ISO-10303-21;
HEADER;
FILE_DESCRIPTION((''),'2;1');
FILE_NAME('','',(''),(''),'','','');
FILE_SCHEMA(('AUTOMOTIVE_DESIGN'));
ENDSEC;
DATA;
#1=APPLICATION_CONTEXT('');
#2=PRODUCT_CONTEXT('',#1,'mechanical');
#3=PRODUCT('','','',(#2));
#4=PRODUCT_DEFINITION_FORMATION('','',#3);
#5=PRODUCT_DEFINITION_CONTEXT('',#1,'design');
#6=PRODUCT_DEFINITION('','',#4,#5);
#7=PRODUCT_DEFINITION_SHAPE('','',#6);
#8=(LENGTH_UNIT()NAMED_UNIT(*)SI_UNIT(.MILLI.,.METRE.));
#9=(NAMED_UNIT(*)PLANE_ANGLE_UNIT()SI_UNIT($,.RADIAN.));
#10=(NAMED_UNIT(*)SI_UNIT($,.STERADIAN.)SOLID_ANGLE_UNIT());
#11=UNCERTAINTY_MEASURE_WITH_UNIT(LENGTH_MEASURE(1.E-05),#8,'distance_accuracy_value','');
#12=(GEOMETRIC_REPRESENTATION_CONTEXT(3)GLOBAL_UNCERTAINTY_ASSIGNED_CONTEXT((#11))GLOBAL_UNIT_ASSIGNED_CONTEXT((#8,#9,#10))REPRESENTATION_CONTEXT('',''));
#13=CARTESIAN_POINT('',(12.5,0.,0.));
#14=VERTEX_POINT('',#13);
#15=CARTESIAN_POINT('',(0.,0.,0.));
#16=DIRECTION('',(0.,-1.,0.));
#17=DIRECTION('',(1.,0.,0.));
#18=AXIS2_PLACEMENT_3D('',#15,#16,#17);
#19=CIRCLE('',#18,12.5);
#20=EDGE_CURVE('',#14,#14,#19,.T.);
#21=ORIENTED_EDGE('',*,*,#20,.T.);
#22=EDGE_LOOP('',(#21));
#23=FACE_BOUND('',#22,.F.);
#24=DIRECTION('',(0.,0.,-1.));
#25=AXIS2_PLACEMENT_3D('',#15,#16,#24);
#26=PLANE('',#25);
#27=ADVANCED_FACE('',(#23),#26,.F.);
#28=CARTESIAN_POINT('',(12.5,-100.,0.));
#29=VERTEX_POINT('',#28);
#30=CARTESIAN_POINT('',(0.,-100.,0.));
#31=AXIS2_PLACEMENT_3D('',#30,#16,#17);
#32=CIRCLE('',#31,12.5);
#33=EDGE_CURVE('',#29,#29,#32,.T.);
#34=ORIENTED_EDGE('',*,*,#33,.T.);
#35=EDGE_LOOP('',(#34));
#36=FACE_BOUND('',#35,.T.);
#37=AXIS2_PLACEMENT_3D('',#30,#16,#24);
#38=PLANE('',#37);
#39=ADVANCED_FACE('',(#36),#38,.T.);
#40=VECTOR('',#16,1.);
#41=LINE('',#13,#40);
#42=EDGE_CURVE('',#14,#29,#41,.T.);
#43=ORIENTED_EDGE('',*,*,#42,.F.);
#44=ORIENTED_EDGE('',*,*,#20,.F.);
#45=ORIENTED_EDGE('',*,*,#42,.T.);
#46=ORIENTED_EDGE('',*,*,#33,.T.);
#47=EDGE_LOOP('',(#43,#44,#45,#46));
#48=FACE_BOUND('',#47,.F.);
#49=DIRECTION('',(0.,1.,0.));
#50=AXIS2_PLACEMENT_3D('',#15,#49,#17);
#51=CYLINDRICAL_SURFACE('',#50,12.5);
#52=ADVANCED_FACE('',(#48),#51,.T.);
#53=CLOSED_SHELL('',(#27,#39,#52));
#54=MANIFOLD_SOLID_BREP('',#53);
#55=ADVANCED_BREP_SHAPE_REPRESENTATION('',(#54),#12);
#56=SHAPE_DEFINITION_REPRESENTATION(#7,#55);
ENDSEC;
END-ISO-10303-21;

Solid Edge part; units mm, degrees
sketch "Sketch1" plane through (0, 0, 0) normal (0, -1, 0) x (1, 0, 0)
  circle A0 centre (0, 0) radius 12.5
extrude "Protrusion1" add sketch "Sketch1" along normal blind 100
cosmetic_thread "Thread1" size "M25"
